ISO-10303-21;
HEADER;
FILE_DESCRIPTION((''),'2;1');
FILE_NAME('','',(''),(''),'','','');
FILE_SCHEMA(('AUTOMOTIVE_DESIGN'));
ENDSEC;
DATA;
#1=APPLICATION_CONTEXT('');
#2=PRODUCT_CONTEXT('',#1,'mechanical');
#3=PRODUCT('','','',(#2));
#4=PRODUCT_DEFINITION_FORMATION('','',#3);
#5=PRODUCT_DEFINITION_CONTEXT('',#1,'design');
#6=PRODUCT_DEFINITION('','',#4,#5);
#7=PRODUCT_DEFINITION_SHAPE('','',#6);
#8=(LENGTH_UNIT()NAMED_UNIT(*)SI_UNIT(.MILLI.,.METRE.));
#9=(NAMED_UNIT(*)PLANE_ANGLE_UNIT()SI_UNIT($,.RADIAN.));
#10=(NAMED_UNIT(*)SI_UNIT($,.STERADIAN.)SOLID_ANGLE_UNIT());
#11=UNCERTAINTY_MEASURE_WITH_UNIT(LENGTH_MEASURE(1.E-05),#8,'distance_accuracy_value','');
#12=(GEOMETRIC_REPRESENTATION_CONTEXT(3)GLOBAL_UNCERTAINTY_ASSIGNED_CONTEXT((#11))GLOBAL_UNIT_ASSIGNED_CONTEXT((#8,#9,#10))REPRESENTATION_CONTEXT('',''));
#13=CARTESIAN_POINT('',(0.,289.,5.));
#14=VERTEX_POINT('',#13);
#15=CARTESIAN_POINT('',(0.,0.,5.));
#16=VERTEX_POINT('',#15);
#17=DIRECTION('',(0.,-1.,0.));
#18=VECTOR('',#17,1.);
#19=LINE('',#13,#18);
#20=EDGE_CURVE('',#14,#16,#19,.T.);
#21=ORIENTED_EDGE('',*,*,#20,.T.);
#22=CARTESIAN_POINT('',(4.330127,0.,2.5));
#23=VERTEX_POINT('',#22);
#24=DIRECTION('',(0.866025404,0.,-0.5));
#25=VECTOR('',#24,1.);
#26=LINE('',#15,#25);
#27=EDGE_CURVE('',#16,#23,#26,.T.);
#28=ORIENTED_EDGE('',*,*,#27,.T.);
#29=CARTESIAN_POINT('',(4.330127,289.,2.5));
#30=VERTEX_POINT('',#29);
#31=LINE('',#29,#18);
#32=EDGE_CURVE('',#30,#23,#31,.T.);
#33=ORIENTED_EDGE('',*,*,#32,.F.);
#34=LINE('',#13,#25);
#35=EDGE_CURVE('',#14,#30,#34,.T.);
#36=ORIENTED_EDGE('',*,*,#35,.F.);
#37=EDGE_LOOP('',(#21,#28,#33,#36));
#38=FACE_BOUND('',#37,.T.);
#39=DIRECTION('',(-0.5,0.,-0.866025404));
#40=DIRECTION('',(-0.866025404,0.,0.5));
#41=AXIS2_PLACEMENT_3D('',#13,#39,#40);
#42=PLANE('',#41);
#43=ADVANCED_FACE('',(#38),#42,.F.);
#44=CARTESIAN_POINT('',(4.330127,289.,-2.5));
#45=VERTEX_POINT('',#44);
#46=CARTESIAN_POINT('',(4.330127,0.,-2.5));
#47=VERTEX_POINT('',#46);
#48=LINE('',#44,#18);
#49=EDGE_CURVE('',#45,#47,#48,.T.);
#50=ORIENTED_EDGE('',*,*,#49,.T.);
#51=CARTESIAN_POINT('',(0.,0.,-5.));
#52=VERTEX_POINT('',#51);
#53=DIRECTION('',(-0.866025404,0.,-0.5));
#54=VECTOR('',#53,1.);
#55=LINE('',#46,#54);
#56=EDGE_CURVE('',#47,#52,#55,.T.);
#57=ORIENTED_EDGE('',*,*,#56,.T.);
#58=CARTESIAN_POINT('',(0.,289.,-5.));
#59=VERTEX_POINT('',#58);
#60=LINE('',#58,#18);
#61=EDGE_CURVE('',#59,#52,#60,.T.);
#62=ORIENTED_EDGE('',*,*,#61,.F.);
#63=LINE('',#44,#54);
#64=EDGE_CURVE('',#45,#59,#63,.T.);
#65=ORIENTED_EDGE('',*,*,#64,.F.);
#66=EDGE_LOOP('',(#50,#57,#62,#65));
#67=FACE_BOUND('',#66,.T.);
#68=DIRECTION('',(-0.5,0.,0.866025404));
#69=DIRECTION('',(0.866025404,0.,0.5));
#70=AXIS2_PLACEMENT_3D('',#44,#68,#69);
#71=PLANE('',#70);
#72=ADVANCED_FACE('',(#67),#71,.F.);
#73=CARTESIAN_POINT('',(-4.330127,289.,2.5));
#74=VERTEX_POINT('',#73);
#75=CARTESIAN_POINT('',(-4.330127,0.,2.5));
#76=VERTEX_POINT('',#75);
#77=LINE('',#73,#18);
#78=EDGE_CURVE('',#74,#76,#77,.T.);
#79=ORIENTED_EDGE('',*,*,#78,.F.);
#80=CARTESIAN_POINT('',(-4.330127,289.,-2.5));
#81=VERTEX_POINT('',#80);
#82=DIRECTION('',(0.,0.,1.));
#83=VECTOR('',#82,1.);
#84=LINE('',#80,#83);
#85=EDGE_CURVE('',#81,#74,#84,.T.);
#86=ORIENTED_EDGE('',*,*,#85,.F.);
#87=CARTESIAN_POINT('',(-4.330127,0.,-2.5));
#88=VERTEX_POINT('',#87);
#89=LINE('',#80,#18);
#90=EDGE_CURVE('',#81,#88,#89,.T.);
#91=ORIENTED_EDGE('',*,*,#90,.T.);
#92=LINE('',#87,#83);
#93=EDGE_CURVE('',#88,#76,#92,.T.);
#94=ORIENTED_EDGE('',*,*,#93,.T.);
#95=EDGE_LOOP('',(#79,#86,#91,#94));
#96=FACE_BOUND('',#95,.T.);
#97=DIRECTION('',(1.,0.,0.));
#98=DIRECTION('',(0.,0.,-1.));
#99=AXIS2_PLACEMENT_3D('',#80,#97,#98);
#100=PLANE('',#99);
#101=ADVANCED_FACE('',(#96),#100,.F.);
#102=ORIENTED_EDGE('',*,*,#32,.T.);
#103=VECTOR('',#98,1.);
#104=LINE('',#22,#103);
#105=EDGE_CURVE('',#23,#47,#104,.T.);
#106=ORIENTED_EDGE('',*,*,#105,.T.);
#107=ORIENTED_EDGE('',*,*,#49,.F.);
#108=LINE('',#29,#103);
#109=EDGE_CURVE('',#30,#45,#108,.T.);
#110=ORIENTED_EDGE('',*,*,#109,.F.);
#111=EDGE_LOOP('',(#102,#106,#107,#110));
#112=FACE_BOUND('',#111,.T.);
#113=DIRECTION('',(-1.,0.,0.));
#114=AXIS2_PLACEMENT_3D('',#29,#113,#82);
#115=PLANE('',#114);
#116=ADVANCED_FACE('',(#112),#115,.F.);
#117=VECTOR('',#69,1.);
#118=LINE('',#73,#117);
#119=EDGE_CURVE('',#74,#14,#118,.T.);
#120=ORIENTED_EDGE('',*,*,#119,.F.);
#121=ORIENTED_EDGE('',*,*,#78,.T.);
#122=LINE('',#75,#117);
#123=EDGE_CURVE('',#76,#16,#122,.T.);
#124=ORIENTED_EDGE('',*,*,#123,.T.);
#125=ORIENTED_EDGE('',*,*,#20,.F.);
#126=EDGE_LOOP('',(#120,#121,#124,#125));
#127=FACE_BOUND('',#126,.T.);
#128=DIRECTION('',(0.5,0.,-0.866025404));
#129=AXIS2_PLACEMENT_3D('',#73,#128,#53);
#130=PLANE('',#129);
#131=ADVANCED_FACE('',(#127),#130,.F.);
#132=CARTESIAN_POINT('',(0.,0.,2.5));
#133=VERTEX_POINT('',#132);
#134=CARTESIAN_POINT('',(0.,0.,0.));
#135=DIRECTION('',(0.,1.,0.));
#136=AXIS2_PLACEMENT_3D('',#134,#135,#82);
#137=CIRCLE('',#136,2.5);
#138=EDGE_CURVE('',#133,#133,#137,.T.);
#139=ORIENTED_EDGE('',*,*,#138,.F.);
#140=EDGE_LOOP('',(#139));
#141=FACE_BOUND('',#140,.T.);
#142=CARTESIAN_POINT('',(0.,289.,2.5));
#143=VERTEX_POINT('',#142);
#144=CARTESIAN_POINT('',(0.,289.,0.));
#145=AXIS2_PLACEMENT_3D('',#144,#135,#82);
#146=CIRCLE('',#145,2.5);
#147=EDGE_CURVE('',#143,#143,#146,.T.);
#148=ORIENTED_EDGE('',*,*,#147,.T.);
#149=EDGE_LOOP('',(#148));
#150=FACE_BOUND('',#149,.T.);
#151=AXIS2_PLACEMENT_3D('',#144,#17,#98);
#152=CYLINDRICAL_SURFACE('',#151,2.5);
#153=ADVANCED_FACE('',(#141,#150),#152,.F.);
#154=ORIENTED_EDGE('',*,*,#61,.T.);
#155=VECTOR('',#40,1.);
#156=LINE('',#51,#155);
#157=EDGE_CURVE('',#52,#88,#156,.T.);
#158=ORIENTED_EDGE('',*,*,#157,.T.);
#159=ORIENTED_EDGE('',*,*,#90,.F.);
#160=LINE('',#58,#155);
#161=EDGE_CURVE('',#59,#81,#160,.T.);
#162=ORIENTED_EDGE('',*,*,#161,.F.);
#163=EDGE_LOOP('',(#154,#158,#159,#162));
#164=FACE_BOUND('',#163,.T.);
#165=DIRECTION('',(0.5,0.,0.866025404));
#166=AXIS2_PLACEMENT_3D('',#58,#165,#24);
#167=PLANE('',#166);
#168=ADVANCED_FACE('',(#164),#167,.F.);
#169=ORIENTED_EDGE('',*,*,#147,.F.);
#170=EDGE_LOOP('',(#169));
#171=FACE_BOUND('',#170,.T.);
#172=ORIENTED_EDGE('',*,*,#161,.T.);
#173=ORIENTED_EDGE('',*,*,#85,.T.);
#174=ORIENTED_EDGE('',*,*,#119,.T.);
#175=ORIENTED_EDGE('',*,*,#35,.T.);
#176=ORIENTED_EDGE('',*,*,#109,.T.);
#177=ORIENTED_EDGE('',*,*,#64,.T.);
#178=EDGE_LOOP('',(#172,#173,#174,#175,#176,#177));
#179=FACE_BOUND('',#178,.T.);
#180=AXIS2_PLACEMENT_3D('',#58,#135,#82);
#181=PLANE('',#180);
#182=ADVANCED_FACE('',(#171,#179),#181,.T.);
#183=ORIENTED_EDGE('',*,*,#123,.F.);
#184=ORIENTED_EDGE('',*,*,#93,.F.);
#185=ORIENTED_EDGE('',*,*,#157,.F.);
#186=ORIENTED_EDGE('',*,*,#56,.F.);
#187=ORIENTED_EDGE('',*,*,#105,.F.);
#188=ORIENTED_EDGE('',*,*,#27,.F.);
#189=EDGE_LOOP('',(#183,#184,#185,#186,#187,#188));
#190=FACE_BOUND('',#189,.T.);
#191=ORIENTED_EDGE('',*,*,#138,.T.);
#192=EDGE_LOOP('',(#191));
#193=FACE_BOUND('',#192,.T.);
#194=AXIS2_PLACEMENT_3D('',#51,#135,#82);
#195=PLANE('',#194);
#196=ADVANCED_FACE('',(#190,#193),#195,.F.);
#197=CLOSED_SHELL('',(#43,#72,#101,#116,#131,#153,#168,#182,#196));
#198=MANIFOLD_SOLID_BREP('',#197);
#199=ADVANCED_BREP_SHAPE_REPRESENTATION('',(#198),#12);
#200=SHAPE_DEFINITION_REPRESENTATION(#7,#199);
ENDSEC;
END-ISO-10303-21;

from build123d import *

# Parameters (mm, degrees)
ESQUISSE1_R      = 2.5
EXTRUSION1_DEPTH = 289


with BuildPart() as part:
    # Esquisse1 → Extrusion1 (new body)
    with BuildSketch(Plane(origin=(0, 0, 0), x_dir=(1, 0, 0), z_dir=(0, 1, 0))):
        Polygon((0, 5), (-4.330127019, 2.5), (-4.330127019, -2.5), (0, -5), (4.330127019, -2.5), (4.330127019, 2.5), align=None)
        Circle(ESQUISSE1_R, mode=Mode.SUBTRACT)
    extrude(amount=EXTRUSION1_DEPTH)


solid = part.part
